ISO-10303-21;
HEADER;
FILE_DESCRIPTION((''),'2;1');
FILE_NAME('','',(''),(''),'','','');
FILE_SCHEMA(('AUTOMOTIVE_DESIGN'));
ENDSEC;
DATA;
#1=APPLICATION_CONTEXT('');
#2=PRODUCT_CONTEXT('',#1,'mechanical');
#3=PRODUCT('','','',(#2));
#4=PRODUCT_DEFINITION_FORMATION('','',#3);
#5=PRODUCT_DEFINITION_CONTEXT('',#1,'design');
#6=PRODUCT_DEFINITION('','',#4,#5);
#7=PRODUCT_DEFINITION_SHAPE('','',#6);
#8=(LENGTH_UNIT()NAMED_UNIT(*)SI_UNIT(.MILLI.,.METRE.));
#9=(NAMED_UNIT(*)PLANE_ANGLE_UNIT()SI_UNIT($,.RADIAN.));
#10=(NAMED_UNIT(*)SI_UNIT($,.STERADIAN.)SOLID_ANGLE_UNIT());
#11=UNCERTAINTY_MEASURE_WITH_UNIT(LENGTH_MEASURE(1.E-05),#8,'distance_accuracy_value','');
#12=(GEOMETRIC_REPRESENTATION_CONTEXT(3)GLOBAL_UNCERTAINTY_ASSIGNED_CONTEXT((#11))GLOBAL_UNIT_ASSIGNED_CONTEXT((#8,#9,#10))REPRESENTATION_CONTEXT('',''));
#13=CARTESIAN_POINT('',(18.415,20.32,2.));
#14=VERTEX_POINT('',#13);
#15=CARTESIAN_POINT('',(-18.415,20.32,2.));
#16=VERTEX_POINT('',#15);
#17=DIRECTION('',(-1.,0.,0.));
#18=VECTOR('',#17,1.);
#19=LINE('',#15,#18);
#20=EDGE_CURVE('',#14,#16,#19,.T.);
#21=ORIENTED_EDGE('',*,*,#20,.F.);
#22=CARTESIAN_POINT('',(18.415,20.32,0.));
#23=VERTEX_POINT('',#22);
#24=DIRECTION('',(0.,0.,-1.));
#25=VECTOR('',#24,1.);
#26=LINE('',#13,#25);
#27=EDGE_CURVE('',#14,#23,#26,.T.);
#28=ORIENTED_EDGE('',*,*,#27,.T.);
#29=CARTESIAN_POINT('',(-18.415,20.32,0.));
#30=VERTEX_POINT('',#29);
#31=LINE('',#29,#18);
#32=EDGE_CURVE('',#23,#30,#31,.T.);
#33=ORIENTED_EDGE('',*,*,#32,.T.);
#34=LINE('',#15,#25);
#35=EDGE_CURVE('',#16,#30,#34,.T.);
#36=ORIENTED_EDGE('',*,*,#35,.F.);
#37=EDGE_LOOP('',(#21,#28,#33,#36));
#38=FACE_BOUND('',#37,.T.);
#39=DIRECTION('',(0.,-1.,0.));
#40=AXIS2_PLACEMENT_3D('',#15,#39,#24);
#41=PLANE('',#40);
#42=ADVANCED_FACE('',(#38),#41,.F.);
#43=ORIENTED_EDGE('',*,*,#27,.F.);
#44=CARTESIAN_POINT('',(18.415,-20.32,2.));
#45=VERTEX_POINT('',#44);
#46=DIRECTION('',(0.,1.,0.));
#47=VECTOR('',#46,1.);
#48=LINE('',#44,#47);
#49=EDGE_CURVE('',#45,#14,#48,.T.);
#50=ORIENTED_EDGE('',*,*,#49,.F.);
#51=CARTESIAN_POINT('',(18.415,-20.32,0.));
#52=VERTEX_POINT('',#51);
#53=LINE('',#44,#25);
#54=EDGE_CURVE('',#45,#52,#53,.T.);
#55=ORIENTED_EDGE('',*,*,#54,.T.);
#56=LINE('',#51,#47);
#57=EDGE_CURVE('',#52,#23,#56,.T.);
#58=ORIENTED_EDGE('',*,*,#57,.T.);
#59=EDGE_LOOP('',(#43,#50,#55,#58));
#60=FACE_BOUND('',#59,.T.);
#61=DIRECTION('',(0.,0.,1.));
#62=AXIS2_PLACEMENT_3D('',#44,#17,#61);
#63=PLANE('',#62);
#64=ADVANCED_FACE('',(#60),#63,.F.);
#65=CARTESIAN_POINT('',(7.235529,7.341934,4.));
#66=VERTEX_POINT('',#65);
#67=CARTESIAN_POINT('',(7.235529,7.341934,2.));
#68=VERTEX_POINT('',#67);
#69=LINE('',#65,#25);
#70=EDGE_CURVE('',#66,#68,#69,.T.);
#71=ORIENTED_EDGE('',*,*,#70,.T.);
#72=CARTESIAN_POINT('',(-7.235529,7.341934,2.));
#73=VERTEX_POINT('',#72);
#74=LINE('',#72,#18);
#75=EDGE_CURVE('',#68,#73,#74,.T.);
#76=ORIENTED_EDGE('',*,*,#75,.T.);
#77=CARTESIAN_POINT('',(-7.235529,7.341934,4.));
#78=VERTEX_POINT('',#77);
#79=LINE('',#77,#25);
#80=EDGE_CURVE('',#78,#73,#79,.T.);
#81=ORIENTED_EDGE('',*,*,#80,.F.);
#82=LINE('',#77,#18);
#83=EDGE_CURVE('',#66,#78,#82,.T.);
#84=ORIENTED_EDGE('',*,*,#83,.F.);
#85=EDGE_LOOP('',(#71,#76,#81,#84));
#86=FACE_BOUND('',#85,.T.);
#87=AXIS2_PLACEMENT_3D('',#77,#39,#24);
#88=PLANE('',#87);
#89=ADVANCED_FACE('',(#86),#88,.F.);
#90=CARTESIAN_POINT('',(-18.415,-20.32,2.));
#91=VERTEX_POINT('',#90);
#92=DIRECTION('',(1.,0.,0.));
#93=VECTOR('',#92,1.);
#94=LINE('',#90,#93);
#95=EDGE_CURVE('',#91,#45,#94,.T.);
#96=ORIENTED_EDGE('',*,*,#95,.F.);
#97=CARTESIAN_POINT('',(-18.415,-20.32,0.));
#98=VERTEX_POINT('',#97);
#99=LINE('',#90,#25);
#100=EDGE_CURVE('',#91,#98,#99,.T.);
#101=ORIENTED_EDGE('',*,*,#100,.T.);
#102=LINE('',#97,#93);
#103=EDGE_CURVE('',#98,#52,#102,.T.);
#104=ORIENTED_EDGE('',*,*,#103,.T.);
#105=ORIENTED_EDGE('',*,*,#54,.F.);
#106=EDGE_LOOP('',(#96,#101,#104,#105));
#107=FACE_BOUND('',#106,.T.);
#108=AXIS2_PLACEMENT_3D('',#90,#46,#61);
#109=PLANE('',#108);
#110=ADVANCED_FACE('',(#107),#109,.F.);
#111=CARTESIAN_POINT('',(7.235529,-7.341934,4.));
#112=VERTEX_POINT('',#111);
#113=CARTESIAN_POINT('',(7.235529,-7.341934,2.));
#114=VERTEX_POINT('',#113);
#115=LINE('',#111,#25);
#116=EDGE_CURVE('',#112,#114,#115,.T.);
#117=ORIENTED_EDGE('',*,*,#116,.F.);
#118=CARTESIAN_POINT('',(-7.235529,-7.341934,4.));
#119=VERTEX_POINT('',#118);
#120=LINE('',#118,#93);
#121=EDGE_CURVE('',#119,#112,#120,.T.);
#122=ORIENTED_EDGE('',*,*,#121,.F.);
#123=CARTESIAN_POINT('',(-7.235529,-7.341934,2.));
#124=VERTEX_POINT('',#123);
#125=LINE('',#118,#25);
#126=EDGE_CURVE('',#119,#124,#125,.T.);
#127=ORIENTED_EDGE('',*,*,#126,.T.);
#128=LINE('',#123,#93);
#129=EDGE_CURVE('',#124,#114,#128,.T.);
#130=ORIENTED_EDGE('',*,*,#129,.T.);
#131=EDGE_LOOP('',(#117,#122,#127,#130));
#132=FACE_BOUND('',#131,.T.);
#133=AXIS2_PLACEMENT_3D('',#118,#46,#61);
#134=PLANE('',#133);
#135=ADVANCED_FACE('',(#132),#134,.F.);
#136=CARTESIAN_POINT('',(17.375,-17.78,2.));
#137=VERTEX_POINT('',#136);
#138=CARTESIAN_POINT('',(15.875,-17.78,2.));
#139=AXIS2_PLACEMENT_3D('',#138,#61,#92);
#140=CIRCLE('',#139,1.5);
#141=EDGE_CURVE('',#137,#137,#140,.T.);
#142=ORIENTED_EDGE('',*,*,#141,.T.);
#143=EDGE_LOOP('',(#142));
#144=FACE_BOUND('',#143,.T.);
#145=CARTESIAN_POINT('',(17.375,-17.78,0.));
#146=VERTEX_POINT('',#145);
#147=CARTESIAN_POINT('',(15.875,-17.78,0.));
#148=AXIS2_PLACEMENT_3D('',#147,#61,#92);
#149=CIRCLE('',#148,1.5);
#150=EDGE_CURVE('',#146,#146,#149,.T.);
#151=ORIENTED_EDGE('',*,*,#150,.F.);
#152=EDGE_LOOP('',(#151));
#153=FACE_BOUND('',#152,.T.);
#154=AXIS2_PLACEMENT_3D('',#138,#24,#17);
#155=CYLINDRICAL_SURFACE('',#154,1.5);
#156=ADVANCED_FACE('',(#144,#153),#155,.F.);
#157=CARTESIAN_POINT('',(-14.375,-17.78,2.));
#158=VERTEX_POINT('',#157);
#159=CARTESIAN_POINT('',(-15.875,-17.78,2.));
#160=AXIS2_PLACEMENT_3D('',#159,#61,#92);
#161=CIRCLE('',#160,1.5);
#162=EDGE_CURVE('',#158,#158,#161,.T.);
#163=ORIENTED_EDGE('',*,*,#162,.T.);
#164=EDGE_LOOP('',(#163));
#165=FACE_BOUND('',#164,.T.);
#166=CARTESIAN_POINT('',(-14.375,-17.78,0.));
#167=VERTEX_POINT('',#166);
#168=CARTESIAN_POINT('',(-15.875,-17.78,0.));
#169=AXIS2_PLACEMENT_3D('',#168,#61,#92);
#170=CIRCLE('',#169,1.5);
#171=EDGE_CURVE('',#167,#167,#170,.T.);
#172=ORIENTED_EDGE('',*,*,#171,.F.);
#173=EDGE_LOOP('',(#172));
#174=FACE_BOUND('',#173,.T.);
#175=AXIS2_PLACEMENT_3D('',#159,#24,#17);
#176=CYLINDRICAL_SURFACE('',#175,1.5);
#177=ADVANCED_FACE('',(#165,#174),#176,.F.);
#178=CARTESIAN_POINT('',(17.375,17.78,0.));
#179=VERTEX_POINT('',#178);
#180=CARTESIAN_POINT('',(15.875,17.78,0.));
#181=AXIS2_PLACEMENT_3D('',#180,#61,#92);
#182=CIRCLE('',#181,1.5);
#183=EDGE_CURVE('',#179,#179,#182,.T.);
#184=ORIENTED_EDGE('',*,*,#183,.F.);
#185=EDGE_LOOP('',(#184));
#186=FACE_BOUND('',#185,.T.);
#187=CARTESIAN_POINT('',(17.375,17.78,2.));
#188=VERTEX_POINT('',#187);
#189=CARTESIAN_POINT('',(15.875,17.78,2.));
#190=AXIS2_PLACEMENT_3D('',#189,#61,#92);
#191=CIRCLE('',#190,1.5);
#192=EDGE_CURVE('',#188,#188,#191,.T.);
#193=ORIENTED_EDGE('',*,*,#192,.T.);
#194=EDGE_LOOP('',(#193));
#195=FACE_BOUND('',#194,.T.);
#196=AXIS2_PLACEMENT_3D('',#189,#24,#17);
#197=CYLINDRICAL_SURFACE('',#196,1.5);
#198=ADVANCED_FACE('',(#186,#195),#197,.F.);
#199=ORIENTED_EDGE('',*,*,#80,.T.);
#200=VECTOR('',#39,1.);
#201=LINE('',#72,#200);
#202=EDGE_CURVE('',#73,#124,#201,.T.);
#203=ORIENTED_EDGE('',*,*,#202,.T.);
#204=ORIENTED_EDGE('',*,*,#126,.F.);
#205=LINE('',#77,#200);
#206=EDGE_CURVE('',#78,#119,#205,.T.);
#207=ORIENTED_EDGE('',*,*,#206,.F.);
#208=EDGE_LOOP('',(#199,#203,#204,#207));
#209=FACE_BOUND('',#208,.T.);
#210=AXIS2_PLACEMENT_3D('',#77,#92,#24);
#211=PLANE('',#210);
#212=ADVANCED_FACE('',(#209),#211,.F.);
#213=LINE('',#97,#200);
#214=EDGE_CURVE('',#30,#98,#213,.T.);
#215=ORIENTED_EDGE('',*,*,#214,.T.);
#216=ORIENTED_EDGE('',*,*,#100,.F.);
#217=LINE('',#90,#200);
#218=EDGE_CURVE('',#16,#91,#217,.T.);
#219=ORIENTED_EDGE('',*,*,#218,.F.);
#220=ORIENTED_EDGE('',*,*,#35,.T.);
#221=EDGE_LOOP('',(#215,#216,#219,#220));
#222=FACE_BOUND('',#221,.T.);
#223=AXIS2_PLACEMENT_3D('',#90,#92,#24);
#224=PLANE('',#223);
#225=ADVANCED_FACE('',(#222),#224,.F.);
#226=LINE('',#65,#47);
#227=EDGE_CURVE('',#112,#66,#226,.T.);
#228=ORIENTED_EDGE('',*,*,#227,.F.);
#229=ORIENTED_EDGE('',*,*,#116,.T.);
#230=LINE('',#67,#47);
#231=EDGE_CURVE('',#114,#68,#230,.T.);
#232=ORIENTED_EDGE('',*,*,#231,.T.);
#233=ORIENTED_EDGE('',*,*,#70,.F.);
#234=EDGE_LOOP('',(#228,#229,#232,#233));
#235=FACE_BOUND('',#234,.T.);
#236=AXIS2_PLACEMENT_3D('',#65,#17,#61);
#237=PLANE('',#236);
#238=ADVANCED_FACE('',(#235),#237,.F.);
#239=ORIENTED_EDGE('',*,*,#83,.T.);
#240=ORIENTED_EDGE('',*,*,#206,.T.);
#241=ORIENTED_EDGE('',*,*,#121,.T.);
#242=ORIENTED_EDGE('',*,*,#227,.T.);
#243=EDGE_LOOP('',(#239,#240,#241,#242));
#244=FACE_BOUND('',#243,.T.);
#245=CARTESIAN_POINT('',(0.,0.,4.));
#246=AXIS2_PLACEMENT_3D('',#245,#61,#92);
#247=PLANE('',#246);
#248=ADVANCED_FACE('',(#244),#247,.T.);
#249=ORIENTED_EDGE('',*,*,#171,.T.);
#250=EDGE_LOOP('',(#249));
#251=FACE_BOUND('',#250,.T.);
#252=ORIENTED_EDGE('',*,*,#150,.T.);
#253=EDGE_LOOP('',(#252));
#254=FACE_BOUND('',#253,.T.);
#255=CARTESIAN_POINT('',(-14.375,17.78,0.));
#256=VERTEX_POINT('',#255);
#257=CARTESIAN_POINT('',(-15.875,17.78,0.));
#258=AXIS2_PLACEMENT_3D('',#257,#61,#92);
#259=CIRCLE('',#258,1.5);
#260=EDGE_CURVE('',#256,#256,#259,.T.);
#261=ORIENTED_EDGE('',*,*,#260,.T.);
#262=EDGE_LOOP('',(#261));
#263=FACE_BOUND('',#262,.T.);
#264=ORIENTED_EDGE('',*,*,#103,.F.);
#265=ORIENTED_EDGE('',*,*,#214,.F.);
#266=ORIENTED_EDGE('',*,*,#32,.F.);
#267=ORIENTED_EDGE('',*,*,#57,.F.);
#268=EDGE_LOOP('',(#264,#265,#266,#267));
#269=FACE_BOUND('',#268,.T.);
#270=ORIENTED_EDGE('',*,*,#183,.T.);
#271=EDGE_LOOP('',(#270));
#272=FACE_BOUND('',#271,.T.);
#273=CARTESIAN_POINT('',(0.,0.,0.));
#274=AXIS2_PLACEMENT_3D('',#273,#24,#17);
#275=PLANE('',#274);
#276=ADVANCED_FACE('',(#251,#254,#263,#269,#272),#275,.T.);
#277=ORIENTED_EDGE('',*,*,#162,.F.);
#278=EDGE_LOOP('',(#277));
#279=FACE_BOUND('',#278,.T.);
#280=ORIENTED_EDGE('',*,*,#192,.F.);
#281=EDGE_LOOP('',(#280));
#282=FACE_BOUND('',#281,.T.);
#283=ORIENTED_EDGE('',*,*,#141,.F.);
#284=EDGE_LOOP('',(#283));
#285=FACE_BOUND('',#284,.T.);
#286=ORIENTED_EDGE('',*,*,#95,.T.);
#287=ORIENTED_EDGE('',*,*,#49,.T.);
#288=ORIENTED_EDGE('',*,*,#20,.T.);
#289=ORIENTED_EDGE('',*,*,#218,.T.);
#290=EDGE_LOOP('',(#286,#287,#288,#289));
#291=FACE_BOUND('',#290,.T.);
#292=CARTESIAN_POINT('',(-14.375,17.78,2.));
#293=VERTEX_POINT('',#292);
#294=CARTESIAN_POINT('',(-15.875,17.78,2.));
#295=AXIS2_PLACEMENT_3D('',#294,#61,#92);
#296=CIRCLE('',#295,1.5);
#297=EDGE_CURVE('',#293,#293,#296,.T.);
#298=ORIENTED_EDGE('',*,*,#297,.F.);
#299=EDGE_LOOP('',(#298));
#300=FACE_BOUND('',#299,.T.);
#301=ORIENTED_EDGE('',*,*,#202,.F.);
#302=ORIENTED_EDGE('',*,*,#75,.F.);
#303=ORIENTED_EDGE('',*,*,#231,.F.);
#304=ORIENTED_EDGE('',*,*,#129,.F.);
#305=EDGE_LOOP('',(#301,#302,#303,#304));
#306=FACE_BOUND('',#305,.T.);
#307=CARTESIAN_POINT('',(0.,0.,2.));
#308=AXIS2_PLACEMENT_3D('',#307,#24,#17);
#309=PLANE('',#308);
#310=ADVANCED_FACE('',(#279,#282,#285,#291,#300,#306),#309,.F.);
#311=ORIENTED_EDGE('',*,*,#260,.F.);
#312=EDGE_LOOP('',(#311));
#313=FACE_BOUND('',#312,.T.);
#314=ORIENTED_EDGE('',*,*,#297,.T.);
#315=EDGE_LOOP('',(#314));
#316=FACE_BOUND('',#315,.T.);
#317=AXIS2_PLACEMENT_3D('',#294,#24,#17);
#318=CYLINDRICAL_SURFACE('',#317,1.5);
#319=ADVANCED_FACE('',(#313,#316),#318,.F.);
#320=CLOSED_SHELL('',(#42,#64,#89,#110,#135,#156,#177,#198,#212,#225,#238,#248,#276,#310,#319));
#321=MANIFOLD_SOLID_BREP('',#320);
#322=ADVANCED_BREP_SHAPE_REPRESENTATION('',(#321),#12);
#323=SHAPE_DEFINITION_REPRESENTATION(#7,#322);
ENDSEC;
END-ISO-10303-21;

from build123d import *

# Parameters (mm, degrees)
SKETCH_1_W      = 36.83
SKETCH_1_H      = 40.64
SKETCH_1_R      = 1.5
EXTRUDE_1_DEPTH = 2
SKETCH_2_W      = 14.471058746
SKETCH_2_H      = 14.683868434
EXTRUDE_2_DEPTH = 2


with BuildPart() as part:
    # Эскиз1 → Бобышка-Вытянуть1 (new body)
    with BuildSketch(Plane.XY):
        Rectangle(SKETCH_1_W, SKETCH_1_H)
        with Locations((-15.875, 17.78)):
            Circle(SKETCH_1_R, mode=Mode.SUBTRACT)
        with Locations((15.875, 17.78)):
            Circle(SKETCH_1_R, mode=Mode.SUBTRACT)
        with Locations((-15.875, -17.78)):
            Circle(SKETCH_1_R, mode=Mode.SUBTRACT)
        with Locations((15.875, -17.78)):
            Circle(SKETCH_1_R, mode=Mode.SUBTRACT)
    extrude(amount=EXTRUDE_1_DEPTH)

    # Эскиз2 → Бобышка-Вытянуть2 (add)
    with BuildSketch(Plane.XY.offset(2)):
        Rectangle(SKETCH_2_W, SKETCH_2_H)
    extrude(amount=EXTRUDE_2_DEPTH)


solid = part.part
